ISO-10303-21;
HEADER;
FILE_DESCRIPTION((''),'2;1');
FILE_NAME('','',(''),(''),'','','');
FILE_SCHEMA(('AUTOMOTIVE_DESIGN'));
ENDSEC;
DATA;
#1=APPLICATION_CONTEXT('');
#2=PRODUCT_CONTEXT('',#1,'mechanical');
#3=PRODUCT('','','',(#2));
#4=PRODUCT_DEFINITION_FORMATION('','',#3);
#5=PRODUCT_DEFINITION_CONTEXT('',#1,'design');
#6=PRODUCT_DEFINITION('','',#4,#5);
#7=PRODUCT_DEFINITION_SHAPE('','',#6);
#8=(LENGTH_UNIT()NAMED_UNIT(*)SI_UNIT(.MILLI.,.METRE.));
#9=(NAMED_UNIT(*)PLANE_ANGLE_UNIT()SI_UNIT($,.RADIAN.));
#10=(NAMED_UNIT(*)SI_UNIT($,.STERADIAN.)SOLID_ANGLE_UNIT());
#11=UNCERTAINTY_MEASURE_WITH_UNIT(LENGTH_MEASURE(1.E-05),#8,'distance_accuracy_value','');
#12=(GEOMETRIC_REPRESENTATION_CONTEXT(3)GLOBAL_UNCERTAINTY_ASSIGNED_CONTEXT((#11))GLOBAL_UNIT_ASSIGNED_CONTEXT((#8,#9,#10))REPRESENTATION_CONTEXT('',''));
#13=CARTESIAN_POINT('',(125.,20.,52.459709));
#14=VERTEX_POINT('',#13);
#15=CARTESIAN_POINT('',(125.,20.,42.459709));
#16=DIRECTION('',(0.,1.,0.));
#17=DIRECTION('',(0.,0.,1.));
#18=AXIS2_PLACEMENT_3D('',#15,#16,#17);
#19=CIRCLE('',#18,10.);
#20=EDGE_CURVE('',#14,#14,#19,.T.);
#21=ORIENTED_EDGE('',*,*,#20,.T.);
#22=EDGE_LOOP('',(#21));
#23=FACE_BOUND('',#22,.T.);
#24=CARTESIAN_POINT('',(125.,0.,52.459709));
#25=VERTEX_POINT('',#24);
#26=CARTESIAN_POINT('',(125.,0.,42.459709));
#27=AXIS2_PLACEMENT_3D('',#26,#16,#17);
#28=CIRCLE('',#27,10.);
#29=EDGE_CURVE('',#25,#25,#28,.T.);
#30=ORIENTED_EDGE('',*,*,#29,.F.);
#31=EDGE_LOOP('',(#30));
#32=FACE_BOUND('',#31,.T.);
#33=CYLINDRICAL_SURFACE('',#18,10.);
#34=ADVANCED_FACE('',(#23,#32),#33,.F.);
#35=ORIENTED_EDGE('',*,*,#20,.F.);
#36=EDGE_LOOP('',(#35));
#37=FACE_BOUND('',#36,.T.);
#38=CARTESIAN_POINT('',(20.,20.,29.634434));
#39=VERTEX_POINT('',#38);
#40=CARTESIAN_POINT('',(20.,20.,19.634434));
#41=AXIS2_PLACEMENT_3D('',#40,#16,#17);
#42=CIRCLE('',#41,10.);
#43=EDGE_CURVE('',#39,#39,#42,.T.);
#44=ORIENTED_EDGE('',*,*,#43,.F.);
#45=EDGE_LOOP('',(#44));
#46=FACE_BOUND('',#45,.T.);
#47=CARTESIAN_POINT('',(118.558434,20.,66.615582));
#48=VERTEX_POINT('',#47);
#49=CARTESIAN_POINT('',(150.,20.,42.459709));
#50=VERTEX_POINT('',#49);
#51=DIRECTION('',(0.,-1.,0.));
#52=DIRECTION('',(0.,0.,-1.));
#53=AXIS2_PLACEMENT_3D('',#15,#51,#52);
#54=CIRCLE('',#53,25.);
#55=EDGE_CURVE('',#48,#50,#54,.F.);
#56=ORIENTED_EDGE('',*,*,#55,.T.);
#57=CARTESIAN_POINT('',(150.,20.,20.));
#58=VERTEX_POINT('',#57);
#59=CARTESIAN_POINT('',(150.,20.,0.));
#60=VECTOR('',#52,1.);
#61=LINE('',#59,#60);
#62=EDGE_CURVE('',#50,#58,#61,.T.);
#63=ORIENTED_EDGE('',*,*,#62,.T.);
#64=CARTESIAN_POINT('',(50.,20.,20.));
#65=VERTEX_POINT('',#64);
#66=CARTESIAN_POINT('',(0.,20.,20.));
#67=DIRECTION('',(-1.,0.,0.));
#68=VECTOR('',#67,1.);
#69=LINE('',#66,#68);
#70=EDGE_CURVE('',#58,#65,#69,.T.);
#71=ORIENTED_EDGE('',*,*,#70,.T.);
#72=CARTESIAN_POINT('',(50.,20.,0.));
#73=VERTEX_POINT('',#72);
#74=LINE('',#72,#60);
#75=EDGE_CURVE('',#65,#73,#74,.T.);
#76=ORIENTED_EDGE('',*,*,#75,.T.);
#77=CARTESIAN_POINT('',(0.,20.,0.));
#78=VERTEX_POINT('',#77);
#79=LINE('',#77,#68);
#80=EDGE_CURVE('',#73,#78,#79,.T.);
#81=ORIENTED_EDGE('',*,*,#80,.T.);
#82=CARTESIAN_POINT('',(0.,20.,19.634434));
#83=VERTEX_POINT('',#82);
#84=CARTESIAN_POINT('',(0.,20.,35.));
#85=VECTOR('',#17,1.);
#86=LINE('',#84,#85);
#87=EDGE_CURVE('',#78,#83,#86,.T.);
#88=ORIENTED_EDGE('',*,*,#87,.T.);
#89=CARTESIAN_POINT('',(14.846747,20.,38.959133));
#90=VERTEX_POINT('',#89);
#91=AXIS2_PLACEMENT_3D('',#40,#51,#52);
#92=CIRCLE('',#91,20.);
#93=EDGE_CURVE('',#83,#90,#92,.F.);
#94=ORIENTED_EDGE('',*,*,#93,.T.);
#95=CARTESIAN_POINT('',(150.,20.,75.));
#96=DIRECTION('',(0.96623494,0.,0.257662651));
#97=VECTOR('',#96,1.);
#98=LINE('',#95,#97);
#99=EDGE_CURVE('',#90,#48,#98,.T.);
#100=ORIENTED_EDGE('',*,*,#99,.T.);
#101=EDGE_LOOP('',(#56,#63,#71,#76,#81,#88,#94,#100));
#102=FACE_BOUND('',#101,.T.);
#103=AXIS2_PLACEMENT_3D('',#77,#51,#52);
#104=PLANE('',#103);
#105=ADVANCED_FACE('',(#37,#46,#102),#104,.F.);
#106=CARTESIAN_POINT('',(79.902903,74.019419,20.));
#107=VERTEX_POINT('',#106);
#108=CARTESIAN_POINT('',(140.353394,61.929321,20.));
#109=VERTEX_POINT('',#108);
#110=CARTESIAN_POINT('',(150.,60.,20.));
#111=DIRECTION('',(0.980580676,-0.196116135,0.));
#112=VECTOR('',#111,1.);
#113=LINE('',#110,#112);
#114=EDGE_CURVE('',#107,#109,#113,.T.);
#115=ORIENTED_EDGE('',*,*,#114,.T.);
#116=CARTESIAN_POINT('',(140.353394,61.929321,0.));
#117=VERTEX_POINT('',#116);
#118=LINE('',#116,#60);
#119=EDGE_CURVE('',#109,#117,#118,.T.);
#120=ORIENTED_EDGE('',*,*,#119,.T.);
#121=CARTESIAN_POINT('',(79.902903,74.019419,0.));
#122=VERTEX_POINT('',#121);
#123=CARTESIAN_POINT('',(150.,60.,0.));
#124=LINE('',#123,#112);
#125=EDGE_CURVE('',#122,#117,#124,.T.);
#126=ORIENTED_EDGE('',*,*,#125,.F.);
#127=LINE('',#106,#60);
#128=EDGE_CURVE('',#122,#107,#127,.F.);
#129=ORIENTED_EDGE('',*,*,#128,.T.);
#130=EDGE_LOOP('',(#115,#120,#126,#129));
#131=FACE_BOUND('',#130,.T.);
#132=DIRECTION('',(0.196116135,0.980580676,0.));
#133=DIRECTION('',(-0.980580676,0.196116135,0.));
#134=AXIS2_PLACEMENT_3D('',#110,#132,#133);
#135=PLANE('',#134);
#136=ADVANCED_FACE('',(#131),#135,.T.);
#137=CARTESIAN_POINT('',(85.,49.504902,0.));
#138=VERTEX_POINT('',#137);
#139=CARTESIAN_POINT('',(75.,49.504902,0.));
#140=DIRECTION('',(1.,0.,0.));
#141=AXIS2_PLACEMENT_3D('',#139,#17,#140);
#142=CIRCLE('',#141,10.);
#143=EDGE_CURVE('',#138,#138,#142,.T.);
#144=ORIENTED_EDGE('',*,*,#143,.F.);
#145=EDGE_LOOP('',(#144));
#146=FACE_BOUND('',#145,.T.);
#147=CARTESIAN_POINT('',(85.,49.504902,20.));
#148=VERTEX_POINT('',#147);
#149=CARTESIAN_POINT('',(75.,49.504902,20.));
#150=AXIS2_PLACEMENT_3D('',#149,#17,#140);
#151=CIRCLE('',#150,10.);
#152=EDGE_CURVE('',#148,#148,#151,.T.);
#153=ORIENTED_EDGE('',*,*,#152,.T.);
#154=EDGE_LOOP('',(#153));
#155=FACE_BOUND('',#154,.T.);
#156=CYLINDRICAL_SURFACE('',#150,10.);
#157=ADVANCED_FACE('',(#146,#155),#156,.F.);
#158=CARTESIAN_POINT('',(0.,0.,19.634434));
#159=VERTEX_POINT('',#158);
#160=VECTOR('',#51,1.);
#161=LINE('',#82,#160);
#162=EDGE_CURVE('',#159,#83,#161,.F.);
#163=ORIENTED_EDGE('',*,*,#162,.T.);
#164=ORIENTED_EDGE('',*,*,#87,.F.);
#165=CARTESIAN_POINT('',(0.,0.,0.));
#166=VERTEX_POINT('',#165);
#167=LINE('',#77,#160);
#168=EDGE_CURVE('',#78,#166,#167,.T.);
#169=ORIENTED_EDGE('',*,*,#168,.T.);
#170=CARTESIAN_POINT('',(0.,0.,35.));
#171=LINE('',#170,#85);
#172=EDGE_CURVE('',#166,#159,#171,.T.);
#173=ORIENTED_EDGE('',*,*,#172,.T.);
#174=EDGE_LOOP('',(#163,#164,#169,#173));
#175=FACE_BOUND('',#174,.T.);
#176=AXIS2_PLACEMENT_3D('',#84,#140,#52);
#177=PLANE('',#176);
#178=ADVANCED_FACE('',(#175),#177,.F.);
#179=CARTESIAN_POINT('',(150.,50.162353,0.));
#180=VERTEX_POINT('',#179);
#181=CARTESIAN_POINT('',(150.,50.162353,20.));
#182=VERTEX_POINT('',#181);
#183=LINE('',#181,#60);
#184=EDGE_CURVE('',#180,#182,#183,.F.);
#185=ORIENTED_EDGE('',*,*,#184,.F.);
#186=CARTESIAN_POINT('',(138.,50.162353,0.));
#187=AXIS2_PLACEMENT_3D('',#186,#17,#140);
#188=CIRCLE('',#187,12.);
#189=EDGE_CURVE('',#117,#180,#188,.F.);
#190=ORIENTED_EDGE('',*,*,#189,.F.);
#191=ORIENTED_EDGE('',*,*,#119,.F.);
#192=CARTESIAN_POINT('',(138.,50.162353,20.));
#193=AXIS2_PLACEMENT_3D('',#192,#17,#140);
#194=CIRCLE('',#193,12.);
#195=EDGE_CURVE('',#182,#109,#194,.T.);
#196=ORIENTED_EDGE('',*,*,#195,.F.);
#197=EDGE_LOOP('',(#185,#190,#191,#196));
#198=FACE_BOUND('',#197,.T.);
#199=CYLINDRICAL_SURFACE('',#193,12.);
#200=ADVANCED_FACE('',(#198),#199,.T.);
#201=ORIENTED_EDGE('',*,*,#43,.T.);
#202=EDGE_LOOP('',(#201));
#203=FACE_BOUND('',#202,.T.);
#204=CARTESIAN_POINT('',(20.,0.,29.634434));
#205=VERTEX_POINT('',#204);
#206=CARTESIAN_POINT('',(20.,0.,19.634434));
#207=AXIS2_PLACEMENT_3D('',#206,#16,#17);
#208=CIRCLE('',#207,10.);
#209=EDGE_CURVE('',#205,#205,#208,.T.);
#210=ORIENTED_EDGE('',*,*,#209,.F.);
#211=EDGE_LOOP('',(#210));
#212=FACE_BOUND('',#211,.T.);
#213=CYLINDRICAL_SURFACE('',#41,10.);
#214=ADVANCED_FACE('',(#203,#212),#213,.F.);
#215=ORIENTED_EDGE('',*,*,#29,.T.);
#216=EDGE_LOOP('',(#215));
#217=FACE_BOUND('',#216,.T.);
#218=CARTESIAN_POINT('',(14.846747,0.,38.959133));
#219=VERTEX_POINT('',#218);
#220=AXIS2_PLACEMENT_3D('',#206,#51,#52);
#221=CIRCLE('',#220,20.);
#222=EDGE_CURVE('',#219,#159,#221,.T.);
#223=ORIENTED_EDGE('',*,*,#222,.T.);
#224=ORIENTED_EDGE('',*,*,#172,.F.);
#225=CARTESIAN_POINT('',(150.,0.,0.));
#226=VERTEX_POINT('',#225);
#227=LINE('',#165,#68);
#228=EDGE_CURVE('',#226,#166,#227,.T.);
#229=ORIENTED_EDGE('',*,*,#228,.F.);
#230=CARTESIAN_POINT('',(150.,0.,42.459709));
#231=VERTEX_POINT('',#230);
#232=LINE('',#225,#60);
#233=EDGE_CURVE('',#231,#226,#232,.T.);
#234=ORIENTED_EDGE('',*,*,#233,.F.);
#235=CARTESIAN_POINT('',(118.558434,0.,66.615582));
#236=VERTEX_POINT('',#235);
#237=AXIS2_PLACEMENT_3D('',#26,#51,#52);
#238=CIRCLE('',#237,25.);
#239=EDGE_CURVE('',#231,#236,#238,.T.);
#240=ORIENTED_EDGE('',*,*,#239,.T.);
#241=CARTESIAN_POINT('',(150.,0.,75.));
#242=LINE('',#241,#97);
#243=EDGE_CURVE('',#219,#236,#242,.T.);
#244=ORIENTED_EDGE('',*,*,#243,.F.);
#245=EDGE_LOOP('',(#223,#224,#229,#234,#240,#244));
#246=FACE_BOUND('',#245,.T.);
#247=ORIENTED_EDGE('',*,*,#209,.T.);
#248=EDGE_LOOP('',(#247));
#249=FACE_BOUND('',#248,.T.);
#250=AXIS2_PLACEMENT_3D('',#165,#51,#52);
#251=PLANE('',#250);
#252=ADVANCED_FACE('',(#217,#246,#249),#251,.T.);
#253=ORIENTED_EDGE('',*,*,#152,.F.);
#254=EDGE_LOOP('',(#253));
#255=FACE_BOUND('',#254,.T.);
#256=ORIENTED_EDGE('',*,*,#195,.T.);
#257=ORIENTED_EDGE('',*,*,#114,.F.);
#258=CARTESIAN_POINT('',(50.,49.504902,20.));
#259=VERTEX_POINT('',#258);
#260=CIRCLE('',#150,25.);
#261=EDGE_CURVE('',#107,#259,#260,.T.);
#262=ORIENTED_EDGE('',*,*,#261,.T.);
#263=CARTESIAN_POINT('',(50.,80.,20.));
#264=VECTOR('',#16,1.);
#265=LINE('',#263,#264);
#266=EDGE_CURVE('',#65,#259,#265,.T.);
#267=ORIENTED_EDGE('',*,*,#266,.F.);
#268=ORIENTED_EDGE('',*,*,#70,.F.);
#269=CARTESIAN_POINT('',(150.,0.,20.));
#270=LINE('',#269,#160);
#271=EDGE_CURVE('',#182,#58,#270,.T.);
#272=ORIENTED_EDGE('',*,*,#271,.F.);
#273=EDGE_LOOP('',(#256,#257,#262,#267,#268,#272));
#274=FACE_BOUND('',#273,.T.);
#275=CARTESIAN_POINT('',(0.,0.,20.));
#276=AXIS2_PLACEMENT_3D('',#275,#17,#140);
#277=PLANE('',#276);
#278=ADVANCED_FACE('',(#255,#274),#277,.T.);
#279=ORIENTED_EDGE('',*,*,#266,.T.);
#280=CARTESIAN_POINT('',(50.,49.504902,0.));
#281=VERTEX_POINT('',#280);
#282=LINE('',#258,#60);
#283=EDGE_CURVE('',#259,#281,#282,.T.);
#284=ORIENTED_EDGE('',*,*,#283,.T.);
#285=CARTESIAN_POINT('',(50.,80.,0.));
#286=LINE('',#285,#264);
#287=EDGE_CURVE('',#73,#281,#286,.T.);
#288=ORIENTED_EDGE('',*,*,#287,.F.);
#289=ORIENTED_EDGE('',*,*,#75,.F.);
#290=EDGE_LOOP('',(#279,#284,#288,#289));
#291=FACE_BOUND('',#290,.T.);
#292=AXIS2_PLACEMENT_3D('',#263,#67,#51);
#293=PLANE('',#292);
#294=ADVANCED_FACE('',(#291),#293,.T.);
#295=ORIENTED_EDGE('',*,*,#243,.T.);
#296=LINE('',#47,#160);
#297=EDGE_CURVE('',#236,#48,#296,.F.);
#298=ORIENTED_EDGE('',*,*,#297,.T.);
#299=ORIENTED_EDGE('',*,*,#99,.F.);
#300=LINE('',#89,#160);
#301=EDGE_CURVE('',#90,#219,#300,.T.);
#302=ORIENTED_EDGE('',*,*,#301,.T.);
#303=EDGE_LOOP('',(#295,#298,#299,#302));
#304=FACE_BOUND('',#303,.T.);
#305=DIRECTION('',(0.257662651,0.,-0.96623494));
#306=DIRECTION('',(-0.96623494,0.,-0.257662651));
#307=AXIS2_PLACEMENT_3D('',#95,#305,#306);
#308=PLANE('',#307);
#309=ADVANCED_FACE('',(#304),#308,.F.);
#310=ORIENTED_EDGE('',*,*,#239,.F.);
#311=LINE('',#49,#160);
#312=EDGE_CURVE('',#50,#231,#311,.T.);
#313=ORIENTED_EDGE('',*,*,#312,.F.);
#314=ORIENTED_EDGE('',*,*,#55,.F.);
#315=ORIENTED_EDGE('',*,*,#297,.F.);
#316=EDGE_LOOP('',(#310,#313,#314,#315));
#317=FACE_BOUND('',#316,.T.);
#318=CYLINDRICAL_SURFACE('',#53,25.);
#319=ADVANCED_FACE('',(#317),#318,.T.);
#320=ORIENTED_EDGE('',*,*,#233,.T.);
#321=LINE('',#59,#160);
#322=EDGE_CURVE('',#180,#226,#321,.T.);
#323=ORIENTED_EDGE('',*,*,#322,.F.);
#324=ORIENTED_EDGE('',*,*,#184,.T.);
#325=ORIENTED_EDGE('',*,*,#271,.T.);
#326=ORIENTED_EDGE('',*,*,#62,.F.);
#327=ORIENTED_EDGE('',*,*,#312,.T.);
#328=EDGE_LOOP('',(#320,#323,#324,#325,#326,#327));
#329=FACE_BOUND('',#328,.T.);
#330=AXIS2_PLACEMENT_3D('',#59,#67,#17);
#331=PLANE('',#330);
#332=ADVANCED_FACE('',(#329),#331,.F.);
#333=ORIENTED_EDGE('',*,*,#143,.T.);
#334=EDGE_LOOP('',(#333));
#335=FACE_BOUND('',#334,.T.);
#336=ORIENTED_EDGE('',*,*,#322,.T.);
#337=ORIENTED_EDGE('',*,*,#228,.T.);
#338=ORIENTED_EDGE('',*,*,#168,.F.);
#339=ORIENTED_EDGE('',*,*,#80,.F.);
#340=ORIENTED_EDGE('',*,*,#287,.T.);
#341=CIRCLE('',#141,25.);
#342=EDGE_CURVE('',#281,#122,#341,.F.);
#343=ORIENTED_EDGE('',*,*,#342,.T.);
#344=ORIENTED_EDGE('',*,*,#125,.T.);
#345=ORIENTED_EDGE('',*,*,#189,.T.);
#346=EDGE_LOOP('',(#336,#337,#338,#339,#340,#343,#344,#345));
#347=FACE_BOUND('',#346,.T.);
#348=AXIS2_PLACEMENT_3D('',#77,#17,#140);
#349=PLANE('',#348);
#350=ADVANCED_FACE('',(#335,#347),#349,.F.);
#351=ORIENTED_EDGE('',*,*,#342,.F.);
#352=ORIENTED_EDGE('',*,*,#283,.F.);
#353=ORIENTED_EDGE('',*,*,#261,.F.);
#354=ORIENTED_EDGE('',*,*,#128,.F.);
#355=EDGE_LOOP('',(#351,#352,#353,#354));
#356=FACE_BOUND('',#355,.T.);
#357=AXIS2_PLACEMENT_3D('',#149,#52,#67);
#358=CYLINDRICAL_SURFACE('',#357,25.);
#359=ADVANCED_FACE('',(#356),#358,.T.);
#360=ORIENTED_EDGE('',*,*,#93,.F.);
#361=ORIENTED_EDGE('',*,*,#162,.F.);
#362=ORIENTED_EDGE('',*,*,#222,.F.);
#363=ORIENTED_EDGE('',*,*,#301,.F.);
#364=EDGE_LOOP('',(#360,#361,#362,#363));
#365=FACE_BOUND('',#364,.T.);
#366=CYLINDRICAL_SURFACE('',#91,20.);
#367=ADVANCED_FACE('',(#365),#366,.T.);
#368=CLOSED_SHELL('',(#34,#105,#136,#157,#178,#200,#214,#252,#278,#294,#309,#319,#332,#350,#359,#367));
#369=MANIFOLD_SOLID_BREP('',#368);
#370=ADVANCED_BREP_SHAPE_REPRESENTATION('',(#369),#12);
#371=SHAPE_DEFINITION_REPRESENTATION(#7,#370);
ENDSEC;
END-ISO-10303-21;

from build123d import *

# Parameters (mm, degrees)
EXTRUDE_1_DEPTH         = 20
EXTRUDE_2_DEPTH         = 20
FILLET_1_R              = 12
FILLET_2_R              = 20
FILLET_3_R              = 25
HOLE_WIZARD_20_0_20_1_D = 20
HOLE_WIZARD_20_0_20_2_D = 20


with BuildPart() as part:
    # 草圖1 → 填料-伸長1 (new body)
    with BuildSketch(Plane(origin=(0, 0, 0), x_dir=(1, 0, 0), z_dir=(0, 1, 0))):
        Polygon((0, 0), (150, 0), (150, -75), (0, -35), align=None)
    extrude(amount=EXTRUDE_1_DEPTH)

    # 草圖2 → 填料-伸長2 (add)
    with BuildSketch(Plane(origin=(0, 0, 0), x_dir=(-1, 0, 0), z_dir=(0, 0, -1))):
        Polygon((-150, 0), (-150, 60), (-50, 80), (-50, 0), align=None)
    extrude(amount=-EXTRUDE_2_DEPTH)

    # 圓角1
    fillet_1_edges = [part.edges().sort_by_distance(p)[0] for p in [
        (150, 60, 10),
    ]]
    fillet(fillet_1_edges, radius=FILLET_1_R)

    # 圓角2
    fillet_2_edges = [part.edges().sort_by_distance(p)[0] for p in [
        (0, 10, 35),
    ]]
    fillet(fillet_2_edges, radius=FILLET_2_R)

    # 圓角3
    fillet_3_edges = [part.edges().sort_by_distance(p)[0] for p in [
        (50, 80, 10),
        (150, 10, 75),
    ]]
    fillet(fillet_3_edges, radius=FILLET_3_R)

    # Ø20.0 (20) 直徑孔1 (through all)
    with Locations(Plane(origin=(0, 20, 0), x_dir=(1, 0, 0), z_dir=(0, 1, 0))):
        with Locations((125, -42.45970884), (20, -19.634433738)):
            Hole(HOLE_WIZARD_20_0_20_1_D / 2)

    # Ø20.0 (20) 直徑孔2 (through all)
    with Locations(Plane.XY.offset(20)):
        with Locations((75, 49.504902432)):
            Hole(HOLE_WIZARD_20_0_20_2_D / 2)


solid = part.part
